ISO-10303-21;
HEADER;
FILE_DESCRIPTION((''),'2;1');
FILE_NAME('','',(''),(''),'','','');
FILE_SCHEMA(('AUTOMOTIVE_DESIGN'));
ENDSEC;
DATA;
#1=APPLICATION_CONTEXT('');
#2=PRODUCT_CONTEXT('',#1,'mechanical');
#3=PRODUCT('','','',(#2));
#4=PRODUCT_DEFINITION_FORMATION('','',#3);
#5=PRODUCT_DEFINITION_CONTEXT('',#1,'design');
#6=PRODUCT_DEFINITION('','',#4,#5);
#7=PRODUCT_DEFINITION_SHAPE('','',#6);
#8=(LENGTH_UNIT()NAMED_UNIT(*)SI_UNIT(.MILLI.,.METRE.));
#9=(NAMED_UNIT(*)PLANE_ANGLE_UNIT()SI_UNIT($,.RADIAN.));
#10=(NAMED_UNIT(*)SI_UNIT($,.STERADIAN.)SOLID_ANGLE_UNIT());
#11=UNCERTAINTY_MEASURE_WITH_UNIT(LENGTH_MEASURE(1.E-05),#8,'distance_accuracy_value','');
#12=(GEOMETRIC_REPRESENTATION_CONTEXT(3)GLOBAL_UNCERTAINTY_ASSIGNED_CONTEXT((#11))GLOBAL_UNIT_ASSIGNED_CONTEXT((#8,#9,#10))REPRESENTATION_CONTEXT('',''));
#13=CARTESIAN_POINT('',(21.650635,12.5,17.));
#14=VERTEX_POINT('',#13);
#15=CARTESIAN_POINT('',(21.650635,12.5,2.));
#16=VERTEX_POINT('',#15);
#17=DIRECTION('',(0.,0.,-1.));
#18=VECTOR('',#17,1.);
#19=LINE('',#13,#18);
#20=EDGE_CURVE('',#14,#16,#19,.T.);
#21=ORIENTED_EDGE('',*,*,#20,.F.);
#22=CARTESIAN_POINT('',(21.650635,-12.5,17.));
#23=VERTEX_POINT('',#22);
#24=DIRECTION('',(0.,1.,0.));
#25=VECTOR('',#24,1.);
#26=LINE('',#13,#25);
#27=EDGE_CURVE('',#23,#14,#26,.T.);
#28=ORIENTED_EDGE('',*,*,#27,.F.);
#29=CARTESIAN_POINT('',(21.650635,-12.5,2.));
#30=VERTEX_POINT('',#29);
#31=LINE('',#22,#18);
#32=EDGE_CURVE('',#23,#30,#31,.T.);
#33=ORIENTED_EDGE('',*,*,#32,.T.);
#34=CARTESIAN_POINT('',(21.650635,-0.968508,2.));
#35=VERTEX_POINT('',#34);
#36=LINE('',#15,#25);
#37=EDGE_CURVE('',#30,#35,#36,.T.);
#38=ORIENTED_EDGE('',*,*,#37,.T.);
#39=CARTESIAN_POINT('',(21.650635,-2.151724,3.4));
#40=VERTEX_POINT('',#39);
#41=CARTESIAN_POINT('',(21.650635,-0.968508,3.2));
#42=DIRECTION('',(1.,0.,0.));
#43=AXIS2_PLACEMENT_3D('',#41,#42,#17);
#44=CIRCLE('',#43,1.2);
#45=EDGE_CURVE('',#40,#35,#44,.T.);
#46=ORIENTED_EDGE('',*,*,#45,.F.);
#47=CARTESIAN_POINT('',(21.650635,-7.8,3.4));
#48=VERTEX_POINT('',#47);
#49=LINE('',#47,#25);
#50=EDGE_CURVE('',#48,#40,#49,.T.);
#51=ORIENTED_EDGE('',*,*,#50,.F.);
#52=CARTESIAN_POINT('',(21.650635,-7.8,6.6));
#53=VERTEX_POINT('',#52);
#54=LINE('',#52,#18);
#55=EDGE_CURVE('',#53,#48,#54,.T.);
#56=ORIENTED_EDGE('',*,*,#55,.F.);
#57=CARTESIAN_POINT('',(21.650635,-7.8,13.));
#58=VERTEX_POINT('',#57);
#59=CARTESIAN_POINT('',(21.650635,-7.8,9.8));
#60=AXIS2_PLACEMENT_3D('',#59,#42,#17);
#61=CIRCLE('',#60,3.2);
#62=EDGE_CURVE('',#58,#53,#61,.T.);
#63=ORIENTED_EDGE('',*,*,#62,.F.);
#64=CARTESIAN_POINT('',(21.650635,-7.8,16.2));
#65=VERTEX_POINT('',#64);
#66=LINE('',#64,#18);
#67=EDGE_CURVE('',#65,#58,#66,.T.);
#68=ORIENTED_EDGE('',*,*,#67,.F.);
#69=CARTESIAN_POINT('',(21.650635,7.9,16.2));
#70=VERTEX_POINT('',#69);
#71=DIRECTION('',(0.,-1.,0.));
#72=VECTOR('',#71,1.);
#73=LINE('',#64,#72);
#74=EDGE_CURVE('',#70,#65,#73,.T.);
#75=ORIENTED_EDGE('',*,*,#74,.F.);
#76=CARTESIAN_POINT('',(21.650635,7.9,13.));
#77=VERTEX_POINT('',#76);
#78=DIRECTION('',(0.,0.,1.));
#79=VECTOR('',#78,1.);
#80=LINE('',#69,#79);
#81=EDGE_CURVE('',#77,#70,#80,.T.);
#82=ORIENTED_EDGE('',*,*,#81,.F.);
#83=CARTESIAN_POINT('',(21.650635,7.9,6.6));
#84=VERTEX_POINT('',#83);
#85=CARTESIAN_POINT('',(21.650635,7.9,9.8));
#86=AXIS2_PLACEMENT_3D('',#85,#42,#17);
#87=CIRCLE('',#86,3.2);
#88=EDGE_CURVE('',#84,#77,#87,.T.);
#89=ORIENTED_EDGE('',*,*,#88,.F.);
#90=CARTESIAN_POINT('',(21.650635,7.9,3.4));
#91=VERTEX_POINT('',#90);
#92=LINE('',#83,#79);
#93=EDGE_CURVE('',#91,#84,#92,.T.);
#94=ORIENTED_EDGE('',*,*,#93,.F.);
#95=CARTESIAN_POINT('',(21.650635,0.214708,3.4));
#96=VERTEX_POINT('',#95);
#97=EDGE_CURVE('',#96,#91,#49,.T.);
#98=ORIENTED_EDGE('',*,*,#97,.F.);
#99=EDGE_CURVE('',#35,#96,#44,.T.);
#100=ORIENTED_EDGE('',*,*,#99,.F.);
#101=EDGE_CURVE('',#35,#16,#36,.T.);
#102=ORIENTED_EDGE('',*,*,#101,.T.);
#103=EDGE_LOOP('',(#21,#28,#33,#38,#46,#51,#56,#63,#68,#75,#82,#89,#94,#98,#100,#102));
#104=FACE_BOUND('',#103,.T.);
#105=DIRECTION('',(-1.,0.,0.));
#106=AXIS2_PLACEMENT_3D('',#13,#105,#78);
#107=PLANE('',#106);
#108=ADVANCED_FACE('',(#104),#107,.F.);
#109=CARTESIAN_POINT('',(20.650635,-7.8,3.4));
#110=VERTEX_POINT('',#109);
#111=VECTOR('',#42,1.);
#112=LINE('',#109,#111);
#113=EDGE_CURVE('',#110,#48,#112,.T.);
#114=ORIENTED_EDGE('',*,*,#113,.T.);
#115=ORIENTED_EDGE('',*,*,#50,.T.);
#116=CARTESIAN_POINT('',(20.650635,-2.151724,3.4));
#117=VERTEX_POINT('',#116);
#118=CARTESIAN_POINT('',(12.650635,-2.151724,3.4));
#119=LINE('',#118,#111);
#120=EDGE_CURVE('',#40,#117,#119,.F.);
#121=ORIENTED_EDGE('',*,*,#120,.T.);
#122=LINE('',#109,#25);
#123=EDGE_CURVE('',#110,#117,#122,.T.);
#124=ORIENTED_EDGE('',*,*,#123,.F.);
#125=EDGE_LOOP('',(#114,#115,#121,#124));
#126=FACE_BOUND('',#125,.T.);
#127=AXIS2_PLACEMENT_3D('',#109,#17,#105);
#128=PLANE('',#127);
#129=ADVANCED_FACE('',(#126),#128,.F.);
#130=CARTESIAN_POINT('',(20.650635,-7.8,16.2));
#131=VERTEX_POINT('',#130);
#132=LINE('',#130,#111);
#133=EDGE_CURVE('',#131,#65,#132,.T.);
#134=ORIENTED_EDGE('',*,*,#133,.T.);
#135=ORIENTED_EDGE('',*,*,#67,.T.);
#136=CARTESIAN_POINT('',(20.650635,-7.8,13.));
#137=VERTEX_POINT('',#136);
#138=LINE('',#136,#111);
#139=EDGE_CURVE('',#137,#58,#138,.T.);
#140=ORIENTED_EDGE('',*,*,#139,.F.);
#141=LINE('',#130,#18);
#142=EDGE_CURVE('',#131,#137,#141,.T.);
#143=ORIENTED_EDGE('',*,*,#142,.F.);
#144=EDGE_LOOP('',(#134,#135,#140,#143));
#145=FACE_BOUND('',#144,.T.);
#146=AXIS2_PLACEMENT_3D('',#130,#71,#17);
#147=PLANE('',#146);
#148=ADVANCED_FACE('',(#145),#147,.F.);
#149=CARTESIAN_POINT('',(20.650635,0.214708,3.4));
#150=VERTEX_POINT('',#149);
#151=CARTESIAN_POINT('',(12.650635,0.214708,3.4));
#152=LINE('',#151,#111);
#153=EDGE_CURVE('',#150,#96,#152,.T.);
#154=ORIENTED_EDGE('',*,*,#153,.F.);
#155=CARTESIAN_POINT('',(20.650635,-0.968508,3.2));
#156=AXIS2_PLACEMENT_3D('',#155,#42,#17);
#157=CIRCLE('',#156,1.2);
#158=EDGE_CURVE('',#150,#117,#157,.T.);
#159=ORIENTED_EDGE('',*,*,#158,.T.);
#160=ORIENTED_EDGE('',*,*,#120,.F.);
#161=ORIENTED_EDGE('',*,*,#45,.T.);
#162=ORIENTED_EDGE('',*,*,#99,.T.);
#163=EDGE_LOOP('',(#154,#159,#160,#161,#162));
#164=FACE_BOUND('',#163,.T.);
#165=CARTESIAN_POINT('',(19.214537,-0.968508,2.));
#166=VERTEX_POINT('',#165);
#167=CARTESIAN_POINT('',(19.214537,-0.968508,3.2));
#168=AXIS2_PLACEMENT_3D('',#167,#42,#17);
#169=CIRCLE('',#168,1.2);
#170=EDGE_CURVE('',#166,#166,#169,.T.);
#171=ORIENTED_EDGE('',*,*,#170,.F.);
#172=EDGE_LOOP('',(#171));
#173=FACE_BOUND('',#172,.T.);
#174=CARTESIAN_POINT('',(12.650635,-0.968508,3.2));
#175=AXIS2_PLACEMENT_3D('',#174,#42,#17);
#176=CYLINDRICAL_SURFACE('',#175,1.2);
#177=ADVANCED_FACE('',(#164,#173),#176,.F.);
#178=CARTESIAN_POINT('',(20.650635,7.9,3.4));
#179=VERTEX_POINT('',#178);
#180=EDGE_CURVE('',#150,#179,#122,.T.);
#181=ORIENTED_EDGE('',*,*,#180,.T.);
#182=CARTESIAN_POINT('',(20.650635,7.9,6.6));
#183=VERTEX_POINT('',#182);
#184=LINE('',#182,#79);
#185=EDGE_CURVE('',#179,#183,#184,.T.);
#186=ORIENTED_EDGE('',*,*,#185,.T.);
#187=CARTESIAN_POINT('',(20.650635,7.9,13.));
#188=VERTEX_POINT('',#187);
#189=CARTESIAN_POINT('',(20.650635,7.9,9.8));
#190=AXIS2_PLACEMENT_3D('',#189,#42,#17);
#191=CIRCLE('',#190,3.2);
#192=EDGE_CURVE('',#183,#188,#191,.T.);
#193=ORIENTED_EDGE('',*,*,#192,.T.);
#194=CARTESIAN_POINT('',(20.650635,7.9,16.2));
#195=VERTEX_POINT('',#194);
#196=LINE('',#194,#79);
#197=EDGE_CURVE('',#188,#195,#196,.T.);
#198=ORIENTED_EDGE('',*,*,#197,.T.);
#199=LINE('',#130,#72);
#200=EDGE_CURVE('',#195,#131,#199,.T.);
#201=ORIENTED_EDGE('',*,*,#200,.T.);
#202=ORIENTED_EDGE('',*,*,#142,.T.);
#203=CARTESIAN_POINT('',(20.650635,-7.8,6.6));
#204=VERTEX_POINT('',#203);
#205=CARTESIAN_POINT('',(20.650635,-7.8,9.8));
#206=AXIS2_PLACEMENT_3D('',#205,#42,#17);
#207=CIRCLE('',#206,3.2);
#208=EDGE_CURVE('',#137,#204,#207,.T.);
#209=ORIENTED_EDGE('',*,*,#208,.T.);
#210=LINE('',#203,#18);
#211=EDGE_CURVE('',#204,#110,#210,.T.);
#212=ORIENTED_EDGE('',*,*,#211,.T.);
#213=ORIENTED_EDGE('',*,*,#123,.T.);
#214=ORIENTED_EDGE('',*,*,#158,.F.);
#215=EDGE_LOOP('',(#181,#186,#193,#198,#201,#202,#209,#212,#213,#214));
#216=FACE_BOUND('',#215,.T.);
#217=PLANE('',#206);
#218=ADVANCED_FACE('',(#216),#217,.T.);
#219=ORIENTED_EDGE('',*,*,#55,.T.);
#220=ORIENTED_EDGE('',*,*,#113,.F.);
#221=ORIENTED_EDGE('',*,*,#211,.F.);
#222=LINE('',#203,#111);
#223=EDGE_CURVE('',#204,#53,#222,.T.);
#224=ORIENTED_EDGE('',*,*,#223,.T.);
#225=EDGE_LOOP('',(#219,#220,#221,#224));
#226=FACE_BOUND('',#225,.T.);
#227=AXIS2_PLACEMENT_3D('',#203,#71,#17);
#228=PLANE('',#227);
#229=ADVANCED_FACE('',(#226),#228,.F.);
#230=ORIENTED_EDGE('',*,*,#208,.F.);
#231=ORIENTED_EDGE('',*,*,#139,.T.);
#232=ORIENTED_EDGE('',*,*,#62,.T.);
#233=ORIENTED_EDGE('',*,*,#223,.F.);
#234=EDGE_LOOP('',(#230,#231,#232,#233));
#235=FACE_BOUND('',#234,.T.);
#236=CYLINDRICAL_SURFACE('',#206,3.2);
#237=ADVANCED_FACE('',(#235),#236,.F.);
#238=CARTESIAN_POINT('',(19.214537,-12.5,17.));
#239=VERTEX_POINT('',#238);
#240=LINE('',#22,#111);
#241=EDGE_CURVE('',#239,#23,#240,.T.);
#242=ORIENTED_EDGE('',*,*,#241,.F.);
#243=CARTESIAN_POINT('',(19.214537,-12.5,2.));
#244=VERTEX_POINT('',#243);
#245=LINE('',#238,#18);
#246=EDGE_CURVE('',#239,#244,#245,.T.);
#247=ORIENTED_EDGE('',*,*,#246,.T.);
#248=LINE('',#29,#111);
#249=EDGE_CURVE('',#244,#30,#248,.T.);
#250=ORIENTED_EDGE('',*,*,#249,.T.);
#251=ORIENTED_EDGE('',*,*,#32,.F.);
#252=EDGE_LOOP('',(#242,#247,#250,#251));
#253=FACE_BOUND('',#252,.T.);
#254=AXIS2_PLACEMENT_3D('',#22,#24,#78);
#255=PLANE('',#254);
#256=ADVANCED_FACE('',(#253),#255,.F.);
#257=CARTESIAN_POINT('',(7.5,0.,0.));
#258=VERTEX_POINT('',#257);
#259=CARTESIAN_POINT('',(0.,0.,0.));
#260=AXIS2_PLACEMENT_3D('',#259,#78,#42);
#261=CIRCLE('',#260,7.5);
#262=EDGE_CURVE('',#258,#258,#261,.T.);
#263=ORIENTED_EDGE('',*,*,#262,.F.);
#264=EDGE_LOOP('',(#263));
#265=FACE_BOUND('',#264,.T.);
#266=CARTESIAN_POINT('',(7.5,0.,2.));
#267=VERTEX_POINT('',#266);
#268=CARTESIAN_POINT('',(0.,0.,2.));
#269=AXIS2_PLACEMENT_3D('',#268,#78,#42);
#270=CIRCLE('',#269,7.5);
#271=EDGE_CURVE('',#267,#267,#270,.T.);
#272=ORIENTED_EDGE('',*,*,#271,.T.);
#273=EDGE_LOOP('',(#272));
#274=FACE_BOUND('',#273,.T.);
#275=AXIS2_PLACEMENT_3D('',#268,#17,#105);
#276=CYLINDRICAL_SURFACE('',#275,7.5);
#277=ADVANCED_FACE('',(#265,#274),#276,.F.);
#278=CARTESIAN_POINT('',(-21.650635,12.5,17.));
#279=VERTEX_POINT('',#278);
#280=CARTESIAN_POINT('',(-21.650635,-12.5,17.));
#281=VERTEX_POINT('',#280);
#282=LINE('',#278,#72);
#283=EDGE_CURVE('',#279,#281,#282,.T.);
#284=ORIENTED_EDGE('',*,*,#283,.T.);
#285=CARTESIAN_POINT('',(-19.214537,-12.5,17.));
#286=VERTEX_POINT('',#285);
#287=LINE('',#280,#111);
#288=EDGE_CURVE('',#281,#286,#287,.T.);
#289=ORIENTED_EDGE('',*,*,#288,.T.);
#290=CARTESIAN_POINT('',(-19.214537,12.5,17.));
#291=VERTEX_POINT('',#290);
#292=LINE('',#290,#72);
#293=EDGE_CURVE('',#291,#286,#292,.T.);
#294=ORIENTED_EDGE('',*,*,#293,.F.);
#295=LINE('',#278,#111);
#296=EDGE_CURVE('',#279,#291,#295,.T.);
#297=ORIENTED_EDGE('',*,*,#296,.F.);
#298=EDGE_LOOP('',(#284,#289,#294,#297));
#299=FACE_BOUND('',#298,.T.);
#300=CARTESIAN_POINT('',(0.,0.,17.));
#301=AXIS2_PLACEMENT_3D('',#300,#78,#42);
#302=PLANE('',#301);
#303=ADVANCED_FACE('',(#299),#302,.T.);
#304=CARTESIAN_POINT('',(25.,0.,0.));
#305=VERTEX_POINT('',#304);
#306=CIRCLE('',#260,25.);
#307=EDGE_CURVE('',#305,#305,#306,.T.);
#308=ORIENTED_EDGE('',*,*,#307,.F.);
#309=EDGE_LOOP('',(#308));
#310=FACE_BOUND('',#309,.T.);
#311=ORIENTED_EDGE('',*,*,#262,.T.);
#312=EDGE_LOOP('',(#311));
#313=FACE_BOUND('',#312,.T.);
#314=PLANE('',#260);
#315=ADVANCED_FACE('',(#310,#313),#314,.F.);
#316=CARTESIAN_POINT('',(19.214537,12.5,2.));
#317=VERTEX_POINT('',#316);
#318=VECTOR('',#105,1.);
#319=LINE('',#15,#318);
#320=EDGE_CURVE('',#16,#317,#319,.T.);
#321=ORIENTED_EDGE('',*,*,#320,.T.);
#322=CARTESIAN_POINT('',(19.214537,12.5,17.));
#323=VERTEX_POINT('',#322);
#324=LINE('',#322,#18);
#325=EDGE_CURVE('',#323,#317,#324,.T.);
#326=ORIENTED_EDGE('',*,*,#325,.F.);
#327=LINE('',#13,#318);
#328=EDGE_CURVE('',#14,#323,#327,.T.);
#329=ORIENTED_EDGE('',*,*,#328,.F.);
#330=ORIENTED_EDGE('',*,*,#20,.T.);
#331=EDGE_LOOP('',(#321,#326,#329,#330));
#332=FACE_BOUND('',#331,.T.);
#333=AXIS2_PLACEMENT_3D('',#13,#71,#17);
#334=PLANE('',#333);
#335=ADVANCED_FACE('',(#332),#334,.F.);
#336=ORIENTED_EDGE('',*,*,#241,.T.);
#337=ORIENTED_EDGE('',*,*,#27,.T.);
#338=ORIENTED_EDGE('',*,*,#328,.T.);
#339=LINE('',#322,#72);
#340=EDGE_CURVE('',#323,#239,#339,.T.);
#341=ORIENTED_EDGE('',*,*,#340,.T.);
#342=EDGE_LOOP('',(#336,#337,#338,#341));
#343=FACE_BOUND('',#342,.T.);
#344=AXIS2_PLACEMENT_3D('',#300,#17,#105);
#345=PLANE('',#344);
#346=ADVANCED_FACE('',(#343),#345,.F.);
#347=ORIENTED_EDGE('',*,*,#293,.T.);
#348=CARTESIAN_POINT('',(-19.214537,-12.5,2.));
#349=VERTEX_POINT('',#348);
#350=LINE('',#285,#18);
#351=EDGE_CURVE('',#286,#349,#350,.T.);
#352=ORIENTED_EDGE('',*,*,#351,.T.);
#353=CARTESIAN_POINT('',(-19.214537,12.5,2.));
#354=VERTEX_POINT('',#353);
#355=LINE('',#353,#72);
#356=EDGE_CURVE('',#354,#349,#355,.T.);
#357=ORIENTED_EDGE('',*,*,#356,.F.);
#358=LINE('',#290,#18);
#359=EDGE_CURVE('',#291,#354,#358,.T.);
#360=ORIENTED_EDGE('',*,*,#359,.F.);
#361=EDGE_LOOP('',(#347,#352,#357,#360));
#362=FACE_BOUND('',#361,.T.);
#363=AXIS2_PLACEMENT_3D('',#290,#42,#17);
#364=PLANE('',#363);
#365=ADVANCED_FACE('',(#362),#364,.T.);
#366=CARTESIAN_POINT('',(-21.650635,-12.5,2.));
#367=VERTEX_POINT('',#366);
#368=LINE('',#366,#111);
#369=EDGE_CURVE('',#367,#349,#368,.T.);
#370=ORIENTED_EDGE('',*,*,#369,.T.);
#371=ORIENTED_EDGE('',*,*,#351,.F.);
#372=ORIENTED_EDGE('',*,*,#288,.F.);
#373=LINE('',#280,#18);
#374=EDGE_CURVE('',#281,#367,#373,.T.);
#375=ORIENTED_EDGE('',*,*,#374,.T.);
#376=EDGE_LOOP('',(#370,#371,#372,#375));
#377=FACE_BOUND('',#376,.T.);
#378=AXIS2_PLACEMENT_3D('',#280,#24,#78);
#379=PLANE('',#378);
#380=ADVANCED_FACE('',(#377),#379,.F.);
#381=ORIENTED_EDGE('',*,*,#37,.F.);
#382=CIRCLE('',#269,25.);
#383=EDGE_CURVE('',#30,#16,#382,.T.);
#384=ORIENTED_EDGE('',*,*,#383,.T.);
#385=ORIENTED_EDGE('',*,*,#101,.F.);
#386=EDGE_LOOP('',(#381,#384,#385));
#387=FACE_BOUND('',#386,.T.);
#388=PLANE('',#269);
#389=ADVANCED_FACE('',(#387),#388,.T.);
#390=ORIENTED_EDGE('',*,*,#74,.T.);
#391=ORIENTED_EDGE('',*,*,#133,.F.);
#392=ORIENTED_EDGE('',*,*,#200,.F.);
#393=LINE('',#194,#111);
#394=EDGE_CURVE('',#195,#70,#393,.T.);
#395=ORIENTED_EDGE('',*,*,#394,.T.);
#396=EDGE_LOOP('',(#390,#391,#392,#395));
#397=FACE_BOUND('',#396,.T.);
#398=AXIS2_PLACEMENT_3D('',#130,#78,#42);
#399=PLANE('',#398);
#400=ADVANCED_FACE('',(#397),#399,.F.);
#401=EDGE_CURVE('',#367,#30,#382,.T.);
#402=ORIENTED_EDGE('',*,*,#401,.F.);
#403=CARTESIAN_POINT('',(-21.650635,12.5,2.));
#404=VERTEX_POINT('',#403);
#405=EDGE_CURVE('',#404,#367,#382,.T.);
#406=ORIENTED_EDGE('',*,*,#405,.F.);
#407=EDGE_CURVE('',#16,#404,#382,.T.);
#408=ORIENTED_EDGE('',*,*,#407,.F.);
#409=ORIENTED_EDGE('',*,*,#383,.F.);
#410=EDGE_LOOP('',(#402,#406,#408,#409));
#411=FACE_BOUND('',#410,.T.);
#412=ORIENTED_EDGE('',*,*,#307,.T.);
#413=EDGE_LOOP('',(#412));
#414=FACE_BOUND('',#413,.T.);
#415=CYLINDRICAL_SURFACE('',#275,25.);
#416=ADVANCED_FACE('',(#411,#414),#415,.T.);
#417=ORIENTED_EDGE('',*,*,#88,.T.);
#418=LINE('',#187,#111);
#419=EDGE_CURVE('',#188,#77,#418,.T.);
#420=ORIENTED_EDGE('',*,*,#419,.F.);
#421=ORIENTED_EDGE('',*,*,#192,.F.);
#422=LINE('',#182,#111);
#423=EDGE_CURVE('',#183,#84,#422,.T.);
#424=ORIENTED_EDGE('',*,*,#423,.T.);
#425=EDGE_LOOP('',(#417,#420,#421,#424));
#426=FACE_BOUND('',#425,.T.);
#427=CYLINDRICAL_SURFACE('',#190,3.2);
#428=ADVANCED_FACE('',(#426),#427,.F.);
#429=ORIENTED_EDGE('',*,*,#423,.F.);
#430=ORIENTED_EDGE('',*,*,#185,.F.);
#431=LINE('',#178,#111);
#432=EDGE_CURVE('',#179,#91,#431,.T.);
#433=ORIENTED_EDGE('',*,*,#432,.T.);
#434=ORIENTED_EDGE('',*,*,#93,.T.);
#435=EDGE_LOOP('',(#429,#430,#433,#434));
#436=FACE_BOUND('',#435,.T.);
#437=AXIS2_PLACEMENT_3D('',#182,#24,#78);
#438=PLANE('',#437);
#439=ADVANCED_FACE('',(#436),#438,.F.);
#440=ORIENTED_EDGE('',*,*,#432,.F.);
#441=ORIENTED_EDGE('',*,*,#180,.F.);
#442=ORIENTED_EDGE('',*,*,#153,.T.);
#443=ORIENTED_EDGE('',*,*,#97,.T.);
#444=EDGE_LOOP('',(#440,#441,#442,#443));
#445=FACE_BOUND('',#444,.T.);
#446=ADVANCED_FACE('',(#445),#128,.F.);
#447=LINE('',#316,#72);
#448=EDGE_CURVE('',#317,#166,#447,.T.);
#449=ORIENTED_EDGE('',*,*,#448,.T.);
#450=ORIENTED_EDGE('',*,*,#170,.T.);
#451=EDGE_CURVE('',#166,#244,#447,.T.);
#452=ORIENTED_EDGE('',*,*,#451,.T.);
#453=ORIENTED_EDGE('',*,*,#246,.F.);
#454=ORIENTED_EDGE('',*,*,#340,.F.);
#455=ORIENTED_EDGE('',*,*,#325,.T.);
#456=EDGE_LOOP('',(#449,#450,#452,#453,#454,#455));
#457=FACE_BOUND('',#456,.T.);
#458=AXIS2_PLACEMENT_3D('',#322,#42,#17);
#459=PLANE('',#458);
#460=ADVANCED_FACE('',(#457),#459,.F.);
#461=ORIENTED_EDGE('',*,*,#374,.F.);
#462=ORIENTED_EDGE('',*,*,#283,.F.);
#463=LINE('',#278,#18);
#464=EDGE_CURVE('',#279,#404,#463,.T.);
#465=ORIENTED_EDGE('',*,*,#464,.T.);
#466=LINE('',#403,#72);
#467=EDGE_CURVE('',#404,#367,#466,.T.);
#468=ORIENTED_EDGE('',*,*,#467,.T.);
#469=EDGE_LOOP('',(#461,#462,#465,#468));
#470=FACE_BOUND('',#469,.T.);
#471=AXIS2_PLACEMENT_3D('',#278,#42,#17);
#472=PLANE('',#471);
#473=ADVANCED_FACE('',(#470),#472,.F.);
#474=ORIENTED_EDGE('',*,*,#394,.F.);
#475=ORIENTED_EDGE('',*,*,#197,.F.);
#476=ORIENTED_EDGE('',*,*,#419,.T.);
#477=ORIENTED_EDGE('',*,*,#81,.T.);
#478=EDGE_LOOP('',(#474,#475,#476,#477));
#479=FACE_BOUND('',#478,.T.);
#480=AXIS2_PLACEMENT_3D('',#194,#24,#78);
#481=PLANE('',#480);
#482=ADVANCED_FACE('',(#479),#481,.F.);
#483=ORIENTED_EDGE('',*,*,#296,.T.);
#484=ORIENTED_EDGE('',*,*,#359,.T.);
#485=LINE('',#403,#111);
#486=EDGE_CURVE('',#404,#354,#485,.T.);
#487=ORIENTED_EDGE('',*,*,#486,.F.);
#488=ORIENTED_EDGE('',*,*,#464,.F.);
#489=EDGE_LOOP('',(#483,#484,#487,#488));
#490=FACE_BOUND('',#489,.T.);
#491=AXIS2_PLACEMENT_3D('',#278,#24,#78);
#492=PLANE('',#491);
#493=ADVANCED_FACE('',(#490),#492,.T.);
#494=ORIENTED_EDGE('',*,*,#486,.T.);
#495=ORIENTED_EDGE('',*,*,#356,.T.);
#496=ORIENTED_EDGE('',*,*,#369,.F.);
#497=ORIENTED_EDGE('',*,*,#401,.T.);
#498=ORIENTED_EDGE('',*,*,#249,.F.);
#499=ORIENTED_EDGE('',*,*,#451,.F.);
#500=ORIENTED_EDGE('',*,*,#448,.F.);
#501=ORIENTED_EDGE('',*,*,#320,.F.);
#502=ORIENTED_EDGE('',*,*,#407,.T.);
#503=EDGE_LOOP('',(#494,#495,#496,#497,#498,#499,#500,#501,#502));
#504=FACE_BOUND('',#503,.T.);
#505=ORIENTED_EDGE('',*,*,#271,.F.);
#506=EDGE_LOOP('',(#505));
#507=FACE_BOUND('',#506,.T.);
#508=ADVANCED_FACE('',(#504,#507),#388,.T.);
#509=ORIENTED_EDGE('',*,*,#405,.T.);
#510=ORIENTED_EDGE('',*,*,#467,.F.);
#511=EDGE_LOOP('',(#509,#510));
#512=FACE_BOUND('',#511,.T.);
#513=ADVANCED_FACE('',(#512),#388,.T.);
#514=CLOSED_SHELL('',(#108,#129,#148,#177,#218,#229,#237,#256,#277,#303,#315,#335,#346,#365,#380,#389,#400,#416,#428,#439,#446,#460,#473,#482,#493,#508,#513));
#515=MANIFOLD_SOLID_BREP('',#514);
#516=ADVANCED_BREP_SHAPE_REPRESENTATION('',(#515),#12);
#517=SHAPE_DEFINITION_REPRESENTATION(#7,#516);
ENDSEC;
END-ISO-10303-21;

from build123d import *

# Parameters (mm, degrees)
SKETCH1_R           = 25
SKETCH1_R_2         = 7.5
BOSS_EXTRUDE1_DEPTH = 2
SKETCH3_W           = 2.436097603
SKETCH3_H           = 25
BOSS_EXTRUDE2_DEPTH = 15
SKETCH3_3_W         = 2.436097603
SKETCH3_3_H         = 25
BOSS_EXTRUDE3_DEPTH = 15
CUT_EXTRUDE3_DEPTH  = 1
SKETCH10_R          = 1.2
CUT_EXTRUDE4_DEPTH  = 9


with BuildPart() as part:
    # Sketch1 → Boss-Extrude1 (new body)
    with BuildSketch(Plane(origin=(0, 0, 0), x_dir=(0, 1, 0), z_dir=(0, 0, 1))):
        Circle(SKETCH1_R)
        Circle(SKETCH1_R_2, mode=Mode.SUBTRACT)
    extrude(amount=BOSS_EXTRUDE1_DEPTH)

    # Sketch3 → Boss-Extrude2 (add)
    with BuildSketch(Plane.XY.offset(2)):
        with Locations((-20.432586294, 0)):
            Rectangle(SKETCH3_W, SKETCH3_H)
    extrude(amount=BOSS_EXTRUDE2_DEPTH)

    # Sketch3<3> → Boss-Extrude3 (add)
    with BuildSketch(Plane.XY.offset(2)):
        with Locations((20.432586294, 0)):
            Rectangle(SKETCH3_3_W, SKETCH3_3_H)
        with Locations((-20.432586294, 0)):
            Rectangle(SKETCH3_3_W, SKETCH3_3_H)
    extrude(amount=BOSS_EXTRUDE3_DEPTH)

    # Sketch9 → Cut-Extrude3 (cut)
    with BuildSketch(Plane.YZ.offset(21.650635095)):
        with BuildLine():
            Line((-7.8, 16.2), (7.9, 16.2))
            Line((7.9, 16.2), (7.9, 13))
            ThreePointArc((7.9, 13), (11.1, 9.8), (7.9, 6.6))
            Line((7.9, 6.6), (7.9, 3.4))
            Line((7.9, 3.4), (-7.8, 3.4))
            Line((-7.8, 3.4), (-7.8, 6.6))
            ThreePointArc((-7.8, 6.6), (-11, 9.8), (-7.8, 13))
            Line((-7.8, 13), (-7.8, 16.2))
        make_face()
    extrude(amount=-CUT_EXTRUDE3_DEPTH, mode=Mode.SUBTRACT)

    # Sketch10 → Cut-Extrude4 (cut)
    with BuildSketch(Plane.YZ.offset(21.650635095)):
        with Locations((-0.968507973, 3.2)):
            Circle(SKETCH10_R)
    extrude(amount=-CUT_EXTRUDE4_DEPTH, mode=Mode.SUBTRACT)


solid = part.part
